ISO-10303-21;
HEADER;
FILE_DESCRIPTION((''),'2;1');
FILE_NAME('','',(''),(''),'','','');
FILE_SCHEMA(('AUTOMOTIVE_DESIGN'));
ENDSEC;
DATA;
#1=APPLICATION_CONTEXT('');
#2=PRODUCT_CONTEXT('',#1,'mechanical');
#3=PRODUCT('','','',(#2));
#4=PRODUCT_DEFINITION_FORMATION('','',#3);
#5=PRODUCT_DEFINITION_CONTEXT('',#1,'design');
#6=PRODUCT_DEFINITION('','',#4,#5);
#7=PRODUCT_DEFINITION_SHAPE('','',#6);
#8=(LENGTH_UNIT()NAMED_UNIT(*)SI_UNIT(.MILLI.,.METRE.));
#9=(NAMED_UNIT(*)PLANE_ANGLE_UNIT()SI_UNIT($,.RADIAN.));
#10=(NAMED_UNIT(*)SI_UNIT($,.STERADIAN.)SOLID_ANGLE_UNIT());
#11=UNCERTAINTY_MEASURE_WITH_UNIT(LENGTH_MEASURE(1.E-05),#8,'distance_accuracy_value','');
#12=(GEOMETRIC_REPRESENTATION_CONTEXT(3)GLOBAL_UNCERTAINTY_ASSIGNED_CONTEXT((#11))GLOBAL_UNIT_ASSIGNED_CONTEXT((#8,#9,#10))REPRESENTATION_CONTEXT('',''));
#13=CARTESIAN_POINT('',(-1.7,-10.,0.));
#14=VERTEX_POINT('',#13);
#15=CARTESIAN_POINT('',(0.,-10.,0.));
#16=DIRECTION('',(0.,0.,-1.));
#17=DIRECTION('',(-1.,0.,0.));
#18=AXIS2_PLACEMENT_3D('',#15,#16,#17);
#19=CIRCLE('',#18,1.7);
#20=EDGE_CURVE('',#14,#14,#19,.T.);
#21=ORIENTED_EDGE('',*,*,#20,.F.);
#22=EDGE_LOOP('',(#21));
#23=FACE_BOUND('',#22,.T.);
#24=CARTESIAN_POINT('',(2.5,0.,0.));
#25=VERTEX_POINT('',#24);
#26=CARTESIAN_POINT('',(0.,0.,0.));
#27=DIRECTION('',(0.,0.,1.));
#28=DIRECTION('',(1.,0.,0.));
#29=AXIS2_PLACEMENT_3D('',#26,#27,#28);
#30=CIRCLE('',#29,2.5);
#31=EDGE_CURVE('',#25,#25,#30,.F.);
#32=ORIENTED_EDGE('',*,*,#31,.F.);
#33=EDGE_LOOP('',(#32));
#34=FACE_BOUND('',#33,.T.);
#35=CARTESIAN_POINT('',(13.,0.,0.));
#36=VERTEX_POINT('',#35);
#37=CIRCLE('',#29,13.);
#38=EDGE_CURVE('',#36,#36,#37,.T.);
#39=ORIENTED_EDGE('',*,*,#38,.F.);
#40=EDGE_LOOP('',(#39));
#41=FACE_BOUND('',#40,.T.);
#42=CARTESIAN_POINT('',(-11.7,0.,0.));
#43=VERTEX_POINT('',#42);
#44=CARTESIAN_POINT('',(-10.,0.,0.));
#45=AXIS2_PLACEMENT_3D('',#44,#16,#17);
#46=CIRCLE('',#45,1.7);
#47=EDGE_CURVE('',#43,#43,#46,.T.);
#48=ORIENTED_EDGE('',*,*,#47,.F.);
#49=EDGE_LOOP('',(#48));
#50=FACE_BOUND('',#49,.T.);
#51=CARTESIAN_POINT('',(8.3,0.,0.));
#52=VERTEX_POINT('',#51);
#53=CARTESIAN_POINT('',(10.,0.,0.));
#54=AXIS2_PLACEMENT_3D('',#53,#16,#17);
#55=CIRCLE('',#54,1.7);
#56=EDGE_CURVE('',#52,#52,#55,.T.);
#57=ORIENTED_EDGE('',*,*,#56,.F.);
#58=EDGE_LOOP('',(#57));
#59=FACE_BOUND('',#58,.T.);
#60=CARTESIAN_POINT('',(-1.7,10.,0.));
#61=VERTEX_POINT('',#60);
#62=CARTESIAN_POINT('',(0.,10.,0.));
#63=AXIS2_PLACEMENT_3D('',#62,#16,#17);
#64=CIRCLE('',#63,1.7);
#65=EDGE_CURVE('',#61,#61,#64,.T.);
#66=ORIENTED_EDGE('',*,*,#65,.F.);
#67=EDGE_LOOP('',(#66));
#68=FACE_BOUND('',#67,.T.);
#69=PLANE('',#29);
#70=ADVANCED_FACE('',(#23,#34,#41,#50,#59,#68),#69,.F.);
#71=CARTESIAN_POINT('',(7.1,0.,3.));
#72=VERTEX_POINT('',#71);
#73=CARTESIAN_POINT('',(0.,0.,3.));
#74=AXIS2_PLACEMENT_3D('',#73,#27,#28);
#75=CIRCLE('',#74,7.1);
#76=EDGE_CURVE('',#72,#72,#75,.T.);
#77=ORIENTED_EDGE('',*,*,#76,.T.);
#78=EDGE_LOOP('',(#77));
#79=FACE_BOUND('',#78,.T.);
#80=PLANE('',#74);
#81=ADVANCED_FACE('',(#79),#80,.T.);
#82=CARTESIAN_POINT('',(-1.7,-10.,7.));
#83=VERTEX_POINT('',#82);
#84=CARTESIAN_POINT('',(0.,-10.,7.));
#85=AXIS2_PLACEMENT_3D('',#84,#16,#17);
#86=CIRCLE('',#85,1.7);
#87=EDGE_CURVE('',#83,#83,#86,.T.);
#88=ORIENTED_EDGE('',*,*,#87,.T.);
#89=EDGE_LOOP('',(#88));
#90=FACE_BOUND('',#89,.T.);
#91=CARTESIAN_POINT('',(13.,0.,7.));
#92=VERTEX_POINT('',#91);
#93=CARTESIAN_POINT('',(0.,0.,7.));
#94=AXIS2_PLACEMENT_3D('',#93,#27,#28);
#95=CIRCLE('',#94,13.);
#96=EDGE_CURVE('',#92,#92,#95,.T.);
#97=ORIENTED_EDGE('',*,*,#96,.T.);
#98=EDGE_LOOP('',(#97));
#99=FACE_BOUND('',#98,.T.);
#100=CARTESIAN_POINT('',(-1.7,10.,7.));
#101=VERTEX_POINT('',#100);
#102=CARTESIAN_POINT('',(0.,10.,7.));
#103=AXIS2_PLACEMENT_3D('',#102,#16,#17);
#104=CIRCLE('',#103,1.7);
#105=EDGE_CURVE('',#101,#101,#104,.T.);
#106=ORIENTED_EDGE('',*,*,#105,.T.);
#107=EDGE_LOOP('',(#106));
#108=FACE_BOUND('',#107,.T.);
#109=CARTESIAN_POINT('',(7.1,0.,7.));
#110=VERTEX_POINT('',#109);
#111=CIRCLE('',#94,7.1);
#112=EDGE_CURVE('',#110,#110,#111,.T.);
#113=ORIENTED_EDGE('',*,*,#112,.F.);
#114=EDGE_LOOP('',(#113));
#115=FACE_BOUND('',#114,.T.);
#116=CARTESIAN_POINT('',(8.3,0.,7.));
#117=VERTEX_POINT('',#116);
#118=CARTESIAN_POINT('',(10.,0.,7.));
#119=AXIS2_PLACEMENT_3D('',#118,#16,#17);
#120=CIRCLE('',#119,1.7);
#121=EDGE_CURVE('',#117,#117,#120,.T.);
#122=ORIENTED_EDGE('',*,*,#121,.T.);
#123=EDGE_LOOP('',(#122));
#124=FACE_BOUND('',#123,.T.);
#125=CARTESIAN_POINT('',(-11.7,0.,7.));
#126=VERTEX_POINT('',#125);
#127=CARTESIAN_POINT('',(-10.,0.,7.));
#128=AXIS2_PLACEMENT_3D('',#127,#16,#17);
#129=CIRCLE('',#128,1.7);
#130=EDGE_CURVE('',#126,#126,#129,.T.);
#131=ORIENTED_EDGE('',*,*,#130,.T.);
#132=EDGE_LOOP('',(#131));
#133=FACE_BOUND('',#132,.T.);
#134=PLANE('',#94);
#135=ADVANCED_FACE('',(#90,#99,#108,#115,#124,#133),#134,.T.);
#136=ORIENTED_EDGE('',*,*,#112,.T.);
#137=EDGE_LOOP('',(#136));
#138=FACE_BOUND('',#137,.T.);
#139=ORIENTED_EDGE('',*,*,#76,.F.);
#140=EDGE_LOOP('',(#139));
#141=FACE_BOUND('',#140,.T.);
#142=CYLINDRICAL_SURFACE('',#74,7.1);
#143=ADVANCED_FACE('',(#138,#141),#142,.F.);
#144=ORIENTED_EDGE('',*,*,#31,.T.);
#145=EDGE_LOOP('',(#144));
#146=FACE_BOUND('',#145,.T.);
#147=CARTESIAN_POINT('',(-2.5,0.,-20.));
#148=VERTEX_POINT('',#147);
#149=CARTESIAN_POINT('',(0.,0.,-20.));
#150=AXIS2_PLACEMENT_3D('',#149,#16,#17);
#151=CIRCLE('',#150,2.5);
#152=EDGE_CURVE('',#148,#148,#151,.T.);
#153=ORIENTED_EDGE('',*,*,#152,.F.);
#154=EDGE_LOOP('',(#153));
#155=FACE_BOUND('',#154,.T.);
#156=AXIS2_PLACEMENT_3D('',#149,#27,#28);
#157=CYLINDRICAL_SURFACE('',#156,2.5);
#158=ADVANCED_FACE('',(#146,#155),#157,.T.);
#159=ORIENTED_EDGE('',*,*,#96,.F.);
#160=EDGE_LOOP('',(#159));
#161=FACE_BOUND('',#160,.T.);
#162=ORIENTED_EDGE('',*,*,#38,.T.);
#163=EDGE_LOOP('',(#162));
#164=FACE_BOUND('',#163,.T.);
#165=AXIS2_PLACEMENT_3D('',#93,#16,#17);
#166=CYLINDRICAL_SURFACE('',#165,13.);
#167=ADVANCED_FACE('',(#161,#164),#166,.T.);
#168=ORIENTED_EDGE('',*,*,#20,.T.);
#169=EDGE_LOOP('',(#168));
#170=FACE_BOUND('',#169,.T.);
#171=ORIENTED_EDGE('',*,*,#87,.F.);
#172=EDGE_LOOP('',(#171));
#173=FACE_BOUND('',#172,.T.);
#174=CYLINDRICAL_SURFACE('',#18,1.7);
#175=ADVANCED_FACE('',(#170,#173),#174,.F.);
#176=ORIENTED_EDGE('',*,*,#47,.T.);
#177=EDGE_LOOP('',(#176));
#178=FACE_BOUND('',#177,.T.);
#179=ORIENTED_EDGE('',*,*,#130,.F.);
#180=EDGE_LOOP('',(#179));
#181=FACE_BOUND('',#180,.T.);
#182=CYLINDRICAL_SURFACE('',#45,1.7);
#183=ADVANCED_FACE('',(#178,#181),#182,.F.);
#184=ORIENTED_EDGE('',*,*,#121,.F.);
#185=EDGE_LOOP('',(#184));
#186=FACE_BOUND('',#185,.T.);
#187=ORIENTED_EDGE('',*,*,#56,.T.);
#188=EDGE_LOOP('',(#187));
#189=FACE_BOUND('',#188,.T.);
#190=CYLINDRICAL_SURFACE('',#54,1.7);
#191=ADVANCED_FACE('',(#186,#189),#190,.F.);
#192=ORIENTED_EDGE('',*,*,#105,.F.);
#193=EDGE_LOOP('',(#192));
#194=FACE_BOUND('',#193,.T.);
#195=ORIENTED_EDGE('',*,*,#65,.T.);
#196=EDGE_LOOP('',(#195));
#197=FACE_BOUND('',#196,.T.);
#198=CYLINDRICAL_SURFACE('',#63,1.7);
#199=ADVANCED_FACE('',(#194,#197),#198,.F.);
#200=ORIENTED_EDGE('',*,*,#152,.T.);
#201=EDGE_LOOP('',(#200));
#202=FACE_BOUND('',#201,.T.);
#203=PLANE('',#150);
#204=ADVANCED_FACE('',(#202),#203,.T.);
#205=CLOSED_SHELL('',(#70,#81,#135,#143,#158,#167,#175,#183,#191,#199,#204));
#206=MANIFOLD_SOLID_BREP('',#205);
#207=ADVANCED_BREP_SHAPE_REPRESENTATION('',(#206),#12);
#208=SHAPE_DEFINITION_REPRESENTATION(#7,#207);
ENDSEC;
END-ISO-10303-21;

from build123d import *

# Parameters (mm, degrees)
SKETCH_1_R          = 13
EXTRUDE_1_DEPTH     = 7
SKETCH_2_R          = 7.1
CUT_EXTRUDE_1_DEPTH = 4
SKETCH_3_R          = 2.5
EXTRUDE_2_DEPTH     = 20
HOLE_WIZARD_M31_D   = 3.4


with BuildPart() as part:
    # Эскиз1 → Бобышка-Вытянуть1 (new body)
    with BuildSketch(Plane.XY):
        Circle(SKETCH_1_R)
    extrude(amount=EXTRUDE_1_DEPTH)

    # Эскиз2 → Вырез-Вытянуть1 (cut)
    with BuildSketch(Plane.XY.offset(7)):
        Circle(SKETCH_2_R)
    extrude(amount=-CUT_EXTRUDE_1_DEPTH, mode=Mode.SUBTRACT)

    # Эскиз3 → Бобышка-Вытянуть2 (add)
    with BuildSketch(Plane(origin=(0, 0, 0), x_dir=(-1, 0, 0), z_dir=(0, 0, -1))):
        with Locations(Location((0, 0, 0), (0, 0, 180))):
            Circle(SKETCH_3_R)
    extrude(amount=EXTRUDE_2_DEPTH)

    # Отверстие с зазором M31 (through all)
    with Locations(Plane(origin=(0, 0, 0), x_dir=(-1, 0, 0), z_dir=(0, 0, -1))):
        with Locations((0, 10), (-10, 0), (0, -10), (10, 0)):
            Hole(HOLE_WIZARD_M31_D / 2)


solid = part.part
